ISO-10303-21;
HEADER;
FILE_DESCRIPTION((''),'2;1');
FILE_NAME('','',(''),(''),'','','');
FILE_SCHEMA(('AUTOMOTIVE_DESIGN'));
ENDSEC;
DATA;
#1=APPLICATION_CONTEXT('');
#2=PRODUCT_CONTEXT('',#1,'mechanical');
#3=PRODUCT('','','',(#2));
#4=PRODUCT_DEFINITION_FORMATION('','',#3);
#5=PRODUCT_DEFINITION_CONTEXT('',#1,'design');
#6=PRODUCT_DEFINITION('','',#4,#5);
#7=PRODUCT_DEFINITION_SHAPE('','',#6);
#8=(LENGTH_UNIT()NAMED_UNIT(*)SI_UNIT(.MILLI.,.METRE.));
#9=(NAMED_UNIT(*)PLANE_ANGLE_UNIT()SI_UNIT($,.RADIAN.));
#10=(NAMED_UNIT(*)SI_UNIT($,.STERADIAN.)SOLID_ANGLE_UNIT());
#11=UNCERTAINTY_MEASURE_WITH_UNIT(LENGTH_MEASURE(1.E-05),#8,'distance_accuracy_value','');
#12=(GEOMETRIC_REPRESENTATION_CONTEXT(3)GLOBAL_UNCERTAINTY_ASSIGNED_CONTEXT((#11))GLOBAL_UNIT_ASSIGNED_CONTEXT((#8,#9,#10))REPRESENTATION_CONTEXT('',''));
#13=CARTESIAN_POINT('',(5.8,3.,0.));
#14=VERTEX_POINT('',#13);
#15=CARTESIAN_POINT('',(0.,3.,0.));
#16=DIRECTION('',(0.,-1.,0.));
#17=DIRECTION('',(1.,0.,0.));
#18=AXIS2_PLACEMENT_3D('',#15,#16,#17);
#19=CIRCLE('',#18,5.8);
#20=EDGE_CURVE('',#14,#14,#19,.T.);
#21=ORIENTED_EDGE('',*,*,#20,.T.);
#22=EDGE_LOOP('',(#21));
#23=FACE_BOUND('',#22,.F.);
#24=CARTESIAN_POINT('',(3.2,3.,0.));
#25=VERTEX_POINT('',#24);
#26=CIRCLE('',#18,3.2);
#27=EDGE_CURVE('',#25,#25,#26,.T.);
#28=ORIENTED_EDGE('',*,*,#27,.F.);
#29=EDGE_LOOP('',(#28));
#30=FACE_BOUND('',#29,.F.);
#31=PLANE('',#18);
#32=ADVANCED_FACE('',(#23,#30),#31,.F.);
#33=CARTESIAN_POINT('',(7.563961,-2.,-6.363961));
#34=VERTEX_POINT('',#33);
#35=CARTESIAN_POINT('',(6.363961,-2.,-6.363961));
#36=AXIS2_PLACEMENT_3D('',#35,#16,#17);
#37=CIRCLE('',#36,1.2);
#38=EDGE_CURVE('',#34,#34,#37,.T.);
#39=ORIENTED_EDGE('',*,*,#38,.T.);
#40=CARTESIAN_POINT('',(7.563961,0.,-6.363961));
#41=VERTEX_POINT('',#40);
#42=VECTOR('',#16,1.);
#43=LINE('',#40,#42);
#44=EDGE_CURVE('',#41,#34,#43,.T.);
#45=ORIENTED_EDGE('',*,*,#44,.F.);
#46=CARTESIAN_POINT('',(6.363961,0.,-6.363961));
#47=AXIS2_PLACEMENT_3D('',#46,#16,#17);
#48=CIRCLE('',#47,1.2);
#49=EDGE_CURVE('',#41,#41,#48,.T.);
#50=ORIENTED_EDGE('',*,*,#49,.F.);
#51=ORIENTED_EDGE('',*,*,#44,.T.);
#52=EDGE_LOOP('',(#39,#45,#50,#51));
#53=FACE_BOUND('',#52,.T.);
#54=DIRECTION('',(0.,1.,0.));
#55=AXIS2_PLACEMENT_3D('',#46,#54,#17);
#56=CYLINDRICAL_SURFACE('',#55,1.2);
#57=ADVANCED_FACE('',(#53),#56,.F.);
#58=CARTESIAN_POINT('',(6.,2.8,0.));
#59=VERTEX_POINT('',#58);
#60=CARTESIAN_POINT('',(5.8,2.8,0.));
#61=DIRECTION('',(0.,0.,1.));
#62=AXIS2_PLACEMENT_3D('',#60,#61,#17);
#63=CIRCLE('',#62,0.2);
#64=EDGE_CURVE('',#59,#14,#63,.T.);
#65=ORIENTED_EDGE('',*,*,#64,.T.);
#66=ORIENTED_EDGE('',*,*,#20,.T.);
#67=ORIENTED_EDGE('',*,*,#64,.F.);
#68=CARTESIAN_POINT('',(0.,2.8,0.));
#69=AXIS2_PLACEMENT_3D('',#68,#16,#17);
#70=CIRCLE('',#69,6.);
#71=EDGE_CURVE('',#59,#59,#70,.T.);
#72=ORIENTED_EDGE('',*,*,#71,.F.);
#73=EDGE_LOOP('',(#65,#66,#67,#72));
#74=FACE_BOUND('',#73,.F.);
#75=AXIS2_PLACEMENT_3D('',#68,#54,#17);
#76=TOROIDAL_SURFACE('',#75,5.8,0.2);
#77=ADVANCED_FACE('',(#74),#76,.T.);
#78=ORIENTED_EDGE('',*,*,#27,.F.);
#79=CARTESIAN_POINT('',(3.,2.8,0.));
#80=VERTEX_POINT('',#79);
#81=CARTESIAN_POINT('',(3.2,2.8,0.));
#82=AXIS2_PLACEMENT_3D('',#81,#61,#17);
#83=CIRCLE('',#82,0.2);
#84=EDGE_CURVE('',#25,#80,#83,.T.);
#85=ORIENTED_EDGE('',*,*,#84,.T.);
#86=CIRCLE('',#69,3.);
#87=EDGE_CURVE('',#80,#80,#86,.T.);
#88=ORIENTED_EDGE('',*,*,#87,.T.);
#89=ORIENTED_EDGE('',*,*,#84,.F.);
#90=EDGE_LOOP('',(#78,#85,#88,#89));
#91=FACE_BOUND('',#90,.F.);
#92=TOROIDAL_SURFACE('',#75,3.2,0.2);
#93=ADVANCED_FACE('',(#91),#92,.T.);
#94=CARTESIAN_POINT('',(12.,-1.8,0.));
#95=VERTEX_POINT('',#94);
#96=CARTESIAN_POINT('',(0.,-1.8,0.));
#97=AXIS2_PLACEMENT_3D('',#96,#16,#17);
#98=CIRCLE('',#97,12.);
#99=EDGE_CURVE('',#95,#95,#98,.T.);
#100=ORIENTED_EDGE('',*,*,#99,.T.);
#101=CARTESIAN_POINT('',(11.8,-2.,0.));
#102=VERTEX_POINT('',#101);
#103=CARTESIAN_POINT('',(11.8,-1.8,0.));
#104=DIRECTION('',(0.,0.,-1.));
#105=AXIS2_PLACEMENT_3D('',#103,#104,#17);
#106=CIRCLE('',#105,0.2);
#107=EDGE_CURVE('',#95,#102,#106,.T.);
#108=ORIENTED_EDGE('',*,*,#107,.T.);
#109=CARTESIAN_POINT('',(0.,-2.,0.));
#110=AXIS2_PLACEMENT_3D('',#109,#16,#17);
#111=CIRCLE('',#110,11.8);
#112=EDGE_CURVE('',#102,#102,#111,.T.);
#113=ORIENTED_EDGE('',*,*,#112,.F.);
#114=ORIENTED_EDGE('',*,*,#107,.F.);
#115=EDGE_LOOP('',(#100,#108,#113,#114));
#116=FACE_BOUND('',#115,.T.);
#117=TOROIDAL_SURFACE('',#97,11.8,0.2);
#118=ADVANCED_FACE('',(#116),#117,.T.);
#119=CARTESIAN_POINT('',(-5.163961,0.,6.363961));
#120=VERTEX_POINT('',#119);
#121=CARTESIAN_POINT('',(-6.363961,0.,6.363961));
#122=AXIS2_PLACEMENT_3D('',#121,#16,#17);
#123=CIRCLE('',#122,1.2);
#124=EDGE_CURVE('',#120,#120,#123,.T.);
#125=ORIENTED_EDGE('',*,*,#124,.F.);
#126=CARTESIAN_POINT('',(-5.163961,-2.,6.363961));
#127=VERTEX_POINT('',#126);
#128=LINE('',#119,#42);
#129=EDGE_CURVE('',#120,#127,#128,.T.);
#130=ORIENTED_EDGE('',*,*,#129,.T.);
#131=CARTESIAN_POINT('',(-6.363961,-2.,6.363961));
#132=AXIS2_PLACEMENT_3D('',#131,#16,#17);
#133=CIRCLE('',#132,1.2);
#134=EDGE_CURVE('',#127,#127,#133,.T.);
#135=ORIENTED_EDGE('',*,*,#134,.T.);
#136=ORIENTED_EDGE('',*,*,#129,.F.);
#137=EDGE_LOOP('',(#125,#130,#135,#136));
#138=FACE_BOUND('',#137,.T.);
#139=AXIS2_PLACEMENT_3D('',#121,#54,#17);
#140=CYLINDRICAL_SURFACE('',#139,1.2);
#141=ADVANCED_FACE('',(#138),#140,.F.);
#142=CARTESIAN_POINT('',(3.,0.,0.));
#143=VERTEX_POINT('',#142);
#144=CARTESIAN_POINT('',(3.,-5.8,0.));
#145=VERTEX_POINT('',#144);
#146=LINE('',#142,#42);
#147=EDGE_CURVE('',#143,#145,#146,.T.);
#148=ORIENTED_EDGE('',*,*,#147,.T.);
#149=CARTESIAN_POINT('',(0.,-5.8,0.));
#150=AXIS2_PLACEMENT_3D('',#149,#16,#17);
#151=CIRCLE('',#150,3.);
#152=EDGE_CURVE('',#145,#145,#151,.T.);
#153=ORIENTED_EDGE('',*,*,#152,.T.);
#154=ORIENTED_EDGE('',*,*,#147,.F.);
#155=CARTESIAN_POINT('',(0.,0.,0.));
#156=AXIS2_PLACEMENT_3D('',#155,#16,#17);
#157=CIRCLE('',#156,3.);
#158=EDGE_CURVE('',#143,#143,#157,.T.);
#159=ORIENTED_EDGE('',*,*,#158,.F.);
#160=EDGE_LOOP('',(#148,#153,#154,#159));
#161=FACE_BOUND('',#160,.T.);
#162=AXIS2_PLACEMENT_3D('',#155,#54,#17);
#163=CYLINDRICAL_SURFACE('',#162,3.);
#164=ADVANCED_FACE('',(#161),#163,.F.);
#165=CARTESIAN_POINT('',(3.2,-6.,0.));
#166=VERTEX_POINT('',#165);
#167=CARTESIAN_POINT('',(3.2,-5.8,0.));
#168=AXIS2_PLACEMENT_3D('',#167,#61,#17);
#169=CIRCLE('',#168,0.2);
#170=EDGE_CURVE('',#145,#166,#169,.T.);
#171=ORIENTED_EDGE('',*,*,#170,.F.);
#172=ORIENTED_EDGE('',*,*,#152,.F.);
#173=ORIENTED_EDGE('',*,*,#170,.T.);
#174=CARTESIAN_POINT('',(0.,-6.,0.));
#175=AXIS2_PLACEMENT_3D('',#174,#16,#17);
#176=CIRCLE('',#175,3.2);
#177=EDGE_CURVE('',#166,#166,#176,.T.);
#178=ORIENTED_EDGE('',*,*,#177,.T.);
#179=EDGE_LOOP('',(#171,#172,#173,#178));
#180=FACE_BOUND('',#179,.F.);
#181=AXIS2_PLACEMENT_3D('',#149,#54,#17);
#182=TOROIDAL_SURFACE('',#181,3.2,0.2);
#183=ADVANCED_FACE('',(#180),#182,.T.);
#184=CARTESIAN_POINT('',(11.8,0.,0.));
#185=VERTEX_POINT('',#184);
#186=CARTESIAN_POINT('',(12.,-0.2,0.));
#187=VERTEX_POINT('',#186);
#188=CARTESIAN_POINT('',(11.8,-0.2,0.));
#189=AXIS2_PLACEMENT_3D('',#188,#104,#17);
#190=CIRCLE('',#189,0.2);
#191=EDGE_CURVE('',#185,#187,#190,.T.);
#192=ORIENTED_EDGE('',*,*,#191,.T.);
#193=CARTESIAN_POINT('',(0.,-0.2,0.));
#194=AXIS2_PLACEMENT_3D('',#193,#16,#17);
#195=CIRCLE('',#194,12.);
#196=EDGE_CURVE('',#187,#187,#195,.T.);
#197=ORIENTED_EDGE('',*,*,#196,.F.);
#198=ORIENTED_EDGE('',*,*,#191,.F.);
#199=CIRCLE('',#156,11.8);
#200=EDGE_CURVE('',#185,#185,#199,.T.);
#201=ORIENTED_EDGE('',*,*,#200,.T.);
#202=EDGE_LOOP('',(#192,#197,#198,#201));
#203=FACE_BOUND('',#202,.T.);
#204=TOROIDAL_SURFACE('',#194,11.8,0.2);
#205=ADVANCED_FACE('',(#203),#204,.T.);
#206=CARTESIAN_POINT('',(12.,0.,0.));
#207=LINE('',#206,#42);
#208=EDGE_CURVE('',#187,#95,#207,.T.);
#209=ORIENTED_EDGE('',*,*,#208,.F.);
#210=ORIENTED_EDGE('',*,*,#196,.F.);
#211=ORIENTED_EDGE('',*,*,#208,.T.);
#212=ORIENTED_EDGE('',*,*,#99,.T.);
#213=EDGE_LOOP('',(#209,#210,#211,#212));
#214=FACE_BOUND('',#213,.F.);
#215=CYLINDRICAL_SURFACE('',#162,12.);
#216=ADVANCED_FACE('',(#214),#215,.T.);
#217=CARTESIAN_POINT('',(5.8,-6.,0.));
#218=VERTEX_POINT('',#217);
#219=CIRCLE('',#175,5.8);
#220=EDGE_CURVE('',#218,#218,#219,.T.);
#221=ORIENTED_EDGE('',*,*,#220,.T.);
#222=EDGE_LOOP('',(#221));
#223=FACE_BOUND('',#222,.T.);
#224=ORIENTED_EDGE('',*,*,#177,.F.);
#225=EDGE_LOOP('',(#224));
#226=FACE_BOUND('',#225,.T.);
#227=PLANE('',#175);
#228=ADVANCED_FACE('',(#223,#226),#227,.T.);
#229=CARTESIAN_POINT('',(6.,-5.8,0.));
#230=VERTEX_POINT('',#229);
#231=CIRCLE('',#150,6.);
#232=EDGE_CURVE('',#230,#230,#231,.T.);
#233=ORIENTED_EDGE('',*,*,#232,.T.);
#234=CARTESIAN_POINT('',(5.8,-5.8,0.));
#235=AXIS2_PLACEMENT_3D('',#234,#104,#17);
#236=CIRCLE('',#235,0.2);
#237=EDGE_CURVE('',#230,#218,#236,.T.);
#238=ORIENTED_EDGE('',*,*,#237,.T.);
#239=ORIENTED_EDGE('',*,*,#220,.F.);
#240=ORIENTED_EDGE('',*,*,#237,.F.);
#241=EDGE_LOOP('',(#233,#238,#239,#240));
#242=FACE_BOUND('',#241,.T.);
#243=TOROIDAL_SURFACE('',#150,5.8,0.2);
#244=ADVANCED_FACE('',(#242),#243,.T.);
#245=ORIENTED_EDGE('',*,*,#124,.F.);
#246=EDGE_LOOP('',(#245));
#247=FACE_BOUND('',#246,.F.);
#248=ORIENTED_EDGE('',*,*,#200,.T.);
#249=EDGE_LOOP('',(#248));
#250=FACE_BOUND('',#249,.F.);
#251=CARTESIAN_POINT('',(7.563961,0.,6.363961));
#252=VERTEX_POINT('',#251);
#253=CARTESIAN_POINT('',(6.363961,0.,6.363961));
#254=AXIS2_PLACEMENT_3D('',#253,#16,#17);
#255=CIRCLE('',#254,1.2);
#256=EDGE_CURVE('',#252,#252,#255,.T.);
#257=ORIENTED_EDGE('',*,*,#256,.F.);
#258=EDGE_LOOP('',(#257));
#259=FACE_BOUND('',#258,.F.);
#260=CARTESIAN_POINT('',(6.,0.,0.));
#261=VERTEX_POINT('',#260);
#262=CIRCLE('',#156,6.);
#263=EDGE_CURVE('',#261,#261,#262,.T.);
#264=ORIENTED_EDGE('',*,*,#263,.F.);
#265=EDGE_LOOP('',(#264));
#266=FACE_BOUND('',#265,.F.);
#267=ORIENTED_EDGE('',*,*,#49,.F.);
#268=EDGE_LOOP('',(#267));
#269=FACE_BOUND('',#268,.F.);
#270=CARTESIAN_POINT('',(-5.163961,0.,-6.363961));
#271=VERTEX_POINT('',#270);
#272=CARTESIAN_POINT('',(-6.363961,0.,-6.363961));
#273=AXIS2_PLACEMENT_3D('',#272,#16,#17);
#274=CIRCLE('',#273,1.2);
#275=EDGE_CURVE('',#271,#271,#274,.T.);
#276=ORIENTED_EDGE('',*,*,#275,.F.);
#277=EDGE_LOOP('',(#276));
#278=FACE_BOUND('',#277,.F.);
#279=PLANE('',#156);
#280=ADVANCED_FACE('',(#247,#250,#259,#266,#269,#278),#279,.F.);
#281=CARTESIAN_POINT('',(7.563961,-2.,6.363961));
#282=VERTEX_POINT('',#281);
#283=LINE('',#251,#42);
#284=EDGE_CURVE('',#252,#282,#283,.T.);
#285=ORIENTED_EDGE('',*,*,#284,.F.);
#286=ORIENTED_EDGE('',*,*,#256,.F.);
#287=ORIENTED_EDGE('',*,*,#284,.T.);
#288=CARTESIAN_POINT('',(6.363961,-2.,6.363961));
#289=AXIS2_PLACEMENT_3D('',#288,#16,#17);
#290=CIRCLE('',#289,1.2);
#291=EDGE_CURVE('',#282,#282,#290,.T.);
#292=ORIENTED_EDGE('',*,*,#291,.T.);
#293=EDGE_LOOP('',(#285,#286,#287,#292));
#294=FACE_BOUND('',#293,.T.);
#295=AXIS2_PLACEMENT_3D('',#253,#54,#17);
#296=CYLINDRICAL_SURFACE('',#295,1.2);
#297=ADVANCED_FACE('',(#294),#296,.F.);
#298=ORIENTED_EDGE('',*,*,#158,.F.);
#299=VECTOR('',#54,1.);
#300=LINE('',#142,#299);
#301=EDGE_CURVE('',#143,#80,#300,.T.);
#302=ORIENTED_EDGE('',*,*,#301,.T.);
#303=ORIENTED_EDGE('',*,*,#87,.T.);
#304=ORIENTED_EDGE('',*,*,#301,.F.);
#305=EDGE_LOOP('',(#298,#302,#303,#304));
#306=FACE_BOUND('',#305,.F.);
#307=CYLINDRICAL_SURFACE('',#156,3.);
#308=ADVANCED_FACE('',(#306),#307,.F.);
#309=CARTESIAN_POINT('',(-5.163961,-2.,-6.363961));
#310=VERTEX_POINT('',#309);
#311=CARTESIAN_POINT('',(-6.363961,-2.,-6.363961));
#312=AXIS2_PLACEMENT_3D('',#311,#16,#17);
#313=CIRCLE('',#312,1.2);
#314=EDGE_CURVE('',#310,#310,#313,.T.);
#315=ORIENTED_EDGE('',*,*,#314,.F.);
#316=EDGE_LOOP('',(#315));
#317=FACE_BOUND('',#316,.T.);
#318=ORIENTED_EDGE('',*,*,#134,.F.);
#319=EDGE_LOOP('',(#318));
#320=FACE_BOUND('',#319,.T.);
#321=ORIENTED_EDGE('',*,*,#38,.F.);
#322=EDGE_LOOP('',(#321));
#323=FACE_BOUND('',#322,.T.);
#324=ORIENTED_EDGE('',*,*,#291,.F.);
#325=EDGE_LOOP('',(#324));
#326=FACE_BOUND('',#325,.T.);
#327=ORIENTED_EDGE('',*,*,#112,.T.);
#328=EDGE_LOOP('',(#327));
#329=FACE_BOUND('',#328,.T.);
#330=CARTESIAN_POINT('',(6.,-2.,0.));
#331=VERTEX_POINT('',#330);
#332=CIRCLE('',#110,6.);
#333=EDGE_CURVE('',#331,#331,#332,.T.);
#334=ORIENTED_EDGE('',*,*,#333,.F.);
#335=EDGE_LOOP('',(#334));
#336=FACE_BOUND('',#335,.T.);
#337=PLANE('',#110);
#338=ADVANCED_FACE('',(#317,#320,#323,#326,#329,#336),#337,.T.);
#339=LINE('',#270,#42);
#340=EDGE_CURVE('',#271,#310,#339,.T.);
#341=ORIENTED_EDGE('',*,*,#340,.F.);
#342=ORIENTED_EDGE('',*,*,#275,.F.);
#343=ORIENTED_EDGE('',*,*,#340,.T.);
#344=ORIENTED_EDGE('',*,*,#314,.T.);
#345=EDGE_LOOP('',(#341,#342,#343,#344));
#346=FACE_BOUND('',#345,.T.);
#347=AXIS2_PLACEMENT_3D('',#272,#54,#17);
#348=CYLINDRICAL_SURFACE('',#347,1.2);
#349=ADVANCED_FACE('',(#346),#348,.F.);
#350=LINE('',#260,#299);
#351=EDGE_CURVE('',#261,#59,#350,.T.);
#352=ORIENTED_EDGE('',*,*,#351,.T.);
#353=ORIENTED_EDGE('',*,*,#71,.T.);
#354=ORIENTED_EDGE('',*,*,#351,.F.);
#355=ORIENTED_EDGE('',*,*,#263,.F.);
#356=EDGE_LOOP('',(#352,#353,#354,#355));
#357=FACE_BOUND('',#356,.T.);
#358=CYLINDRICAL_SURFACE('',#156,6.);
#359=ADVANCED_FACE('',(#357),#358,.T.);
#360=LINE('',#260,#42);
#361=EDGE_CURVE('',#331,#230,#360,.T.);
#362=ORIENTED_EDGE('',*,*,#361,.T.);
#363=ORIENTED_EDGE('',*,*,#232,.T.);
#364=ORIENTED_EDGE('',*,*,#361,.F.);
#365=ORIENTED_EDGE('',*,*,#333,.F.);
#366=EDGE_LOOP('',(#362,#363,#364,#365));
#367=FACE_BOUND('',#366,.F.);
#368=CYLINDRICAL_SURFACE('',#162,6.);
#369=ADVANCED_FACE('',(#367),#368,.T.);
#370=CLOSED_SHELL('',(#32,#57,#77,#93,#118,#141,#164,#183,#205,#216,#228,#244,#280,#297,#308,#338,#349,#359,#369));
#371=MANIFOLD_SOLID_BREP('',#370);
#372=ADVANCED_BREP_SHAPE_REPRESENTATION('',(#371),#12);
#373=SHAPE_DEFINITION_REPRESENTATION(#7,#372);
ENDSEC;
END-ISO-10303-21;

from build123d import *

# Parameters (mm, degrees)
F0_R     = 12
F0_R_2   = 1.2
F0_R_3   = 6
F1_DEPTH = 2
F0_R_4   = 3
F2_DEPTH = 6
F3_DEPTH = 3
F4_R     = 0.2


with BuildPart() as f1:
    # F0 (on Front) → F1 (new body)
    with BuildSketch(Plane.XZ):
        Circle(F0_R)
        with Locations((-6.363961, -6.363961)):
            Circle(F0_R_2, mode=Mode.SUBTRACT)
        with Locations((6.363961, -6.363961)):
            Circle(F0_R_2, mode=Mode.SUBTRACT)
        with Locations((-6.363961, 6.363961)):
            Circle(F0_R_2, mode=Mode.SUBTRACT)
        Circle(F0_R_3, mode=Mode.SUBTRACT)
        with Locations((6.363961, 6.363961)):
            Circle(F0_R_2, mode=Mode.SUBTRACT)
    extrude(amount=F1_DEPTH)

    # F0 (on Front) → F2 (join)
    with BuildSketch(Plane.XZ):
        Circle(F0_R_3)
        Circle(F0_R_4, mode=Mode.SUBTRACT)
    extrude(amount=F2_DEPTH)

    # F0 (on Front) → F3 (join)
    with BuildSketch(Plane.XZ):
        Circle(F0_R_3)
        Circle(F0_R_4, mode=Mode.SUBTRACT)
    extrude(amount=-F3_DEPTH)

    # F4
    f4_edges = [f1.edges().sort_by_distance(p)[0] for p in [
        (-6, -6, 0),
        (-3, -6, 0),
        (-12, -2, 0),
        (-12, 0, 0),
        (-6, 3, 0),
        (-3, 3, 0),
    ]]
    fillet(f4_edges, radius=F4_R)


solid = f1.part
